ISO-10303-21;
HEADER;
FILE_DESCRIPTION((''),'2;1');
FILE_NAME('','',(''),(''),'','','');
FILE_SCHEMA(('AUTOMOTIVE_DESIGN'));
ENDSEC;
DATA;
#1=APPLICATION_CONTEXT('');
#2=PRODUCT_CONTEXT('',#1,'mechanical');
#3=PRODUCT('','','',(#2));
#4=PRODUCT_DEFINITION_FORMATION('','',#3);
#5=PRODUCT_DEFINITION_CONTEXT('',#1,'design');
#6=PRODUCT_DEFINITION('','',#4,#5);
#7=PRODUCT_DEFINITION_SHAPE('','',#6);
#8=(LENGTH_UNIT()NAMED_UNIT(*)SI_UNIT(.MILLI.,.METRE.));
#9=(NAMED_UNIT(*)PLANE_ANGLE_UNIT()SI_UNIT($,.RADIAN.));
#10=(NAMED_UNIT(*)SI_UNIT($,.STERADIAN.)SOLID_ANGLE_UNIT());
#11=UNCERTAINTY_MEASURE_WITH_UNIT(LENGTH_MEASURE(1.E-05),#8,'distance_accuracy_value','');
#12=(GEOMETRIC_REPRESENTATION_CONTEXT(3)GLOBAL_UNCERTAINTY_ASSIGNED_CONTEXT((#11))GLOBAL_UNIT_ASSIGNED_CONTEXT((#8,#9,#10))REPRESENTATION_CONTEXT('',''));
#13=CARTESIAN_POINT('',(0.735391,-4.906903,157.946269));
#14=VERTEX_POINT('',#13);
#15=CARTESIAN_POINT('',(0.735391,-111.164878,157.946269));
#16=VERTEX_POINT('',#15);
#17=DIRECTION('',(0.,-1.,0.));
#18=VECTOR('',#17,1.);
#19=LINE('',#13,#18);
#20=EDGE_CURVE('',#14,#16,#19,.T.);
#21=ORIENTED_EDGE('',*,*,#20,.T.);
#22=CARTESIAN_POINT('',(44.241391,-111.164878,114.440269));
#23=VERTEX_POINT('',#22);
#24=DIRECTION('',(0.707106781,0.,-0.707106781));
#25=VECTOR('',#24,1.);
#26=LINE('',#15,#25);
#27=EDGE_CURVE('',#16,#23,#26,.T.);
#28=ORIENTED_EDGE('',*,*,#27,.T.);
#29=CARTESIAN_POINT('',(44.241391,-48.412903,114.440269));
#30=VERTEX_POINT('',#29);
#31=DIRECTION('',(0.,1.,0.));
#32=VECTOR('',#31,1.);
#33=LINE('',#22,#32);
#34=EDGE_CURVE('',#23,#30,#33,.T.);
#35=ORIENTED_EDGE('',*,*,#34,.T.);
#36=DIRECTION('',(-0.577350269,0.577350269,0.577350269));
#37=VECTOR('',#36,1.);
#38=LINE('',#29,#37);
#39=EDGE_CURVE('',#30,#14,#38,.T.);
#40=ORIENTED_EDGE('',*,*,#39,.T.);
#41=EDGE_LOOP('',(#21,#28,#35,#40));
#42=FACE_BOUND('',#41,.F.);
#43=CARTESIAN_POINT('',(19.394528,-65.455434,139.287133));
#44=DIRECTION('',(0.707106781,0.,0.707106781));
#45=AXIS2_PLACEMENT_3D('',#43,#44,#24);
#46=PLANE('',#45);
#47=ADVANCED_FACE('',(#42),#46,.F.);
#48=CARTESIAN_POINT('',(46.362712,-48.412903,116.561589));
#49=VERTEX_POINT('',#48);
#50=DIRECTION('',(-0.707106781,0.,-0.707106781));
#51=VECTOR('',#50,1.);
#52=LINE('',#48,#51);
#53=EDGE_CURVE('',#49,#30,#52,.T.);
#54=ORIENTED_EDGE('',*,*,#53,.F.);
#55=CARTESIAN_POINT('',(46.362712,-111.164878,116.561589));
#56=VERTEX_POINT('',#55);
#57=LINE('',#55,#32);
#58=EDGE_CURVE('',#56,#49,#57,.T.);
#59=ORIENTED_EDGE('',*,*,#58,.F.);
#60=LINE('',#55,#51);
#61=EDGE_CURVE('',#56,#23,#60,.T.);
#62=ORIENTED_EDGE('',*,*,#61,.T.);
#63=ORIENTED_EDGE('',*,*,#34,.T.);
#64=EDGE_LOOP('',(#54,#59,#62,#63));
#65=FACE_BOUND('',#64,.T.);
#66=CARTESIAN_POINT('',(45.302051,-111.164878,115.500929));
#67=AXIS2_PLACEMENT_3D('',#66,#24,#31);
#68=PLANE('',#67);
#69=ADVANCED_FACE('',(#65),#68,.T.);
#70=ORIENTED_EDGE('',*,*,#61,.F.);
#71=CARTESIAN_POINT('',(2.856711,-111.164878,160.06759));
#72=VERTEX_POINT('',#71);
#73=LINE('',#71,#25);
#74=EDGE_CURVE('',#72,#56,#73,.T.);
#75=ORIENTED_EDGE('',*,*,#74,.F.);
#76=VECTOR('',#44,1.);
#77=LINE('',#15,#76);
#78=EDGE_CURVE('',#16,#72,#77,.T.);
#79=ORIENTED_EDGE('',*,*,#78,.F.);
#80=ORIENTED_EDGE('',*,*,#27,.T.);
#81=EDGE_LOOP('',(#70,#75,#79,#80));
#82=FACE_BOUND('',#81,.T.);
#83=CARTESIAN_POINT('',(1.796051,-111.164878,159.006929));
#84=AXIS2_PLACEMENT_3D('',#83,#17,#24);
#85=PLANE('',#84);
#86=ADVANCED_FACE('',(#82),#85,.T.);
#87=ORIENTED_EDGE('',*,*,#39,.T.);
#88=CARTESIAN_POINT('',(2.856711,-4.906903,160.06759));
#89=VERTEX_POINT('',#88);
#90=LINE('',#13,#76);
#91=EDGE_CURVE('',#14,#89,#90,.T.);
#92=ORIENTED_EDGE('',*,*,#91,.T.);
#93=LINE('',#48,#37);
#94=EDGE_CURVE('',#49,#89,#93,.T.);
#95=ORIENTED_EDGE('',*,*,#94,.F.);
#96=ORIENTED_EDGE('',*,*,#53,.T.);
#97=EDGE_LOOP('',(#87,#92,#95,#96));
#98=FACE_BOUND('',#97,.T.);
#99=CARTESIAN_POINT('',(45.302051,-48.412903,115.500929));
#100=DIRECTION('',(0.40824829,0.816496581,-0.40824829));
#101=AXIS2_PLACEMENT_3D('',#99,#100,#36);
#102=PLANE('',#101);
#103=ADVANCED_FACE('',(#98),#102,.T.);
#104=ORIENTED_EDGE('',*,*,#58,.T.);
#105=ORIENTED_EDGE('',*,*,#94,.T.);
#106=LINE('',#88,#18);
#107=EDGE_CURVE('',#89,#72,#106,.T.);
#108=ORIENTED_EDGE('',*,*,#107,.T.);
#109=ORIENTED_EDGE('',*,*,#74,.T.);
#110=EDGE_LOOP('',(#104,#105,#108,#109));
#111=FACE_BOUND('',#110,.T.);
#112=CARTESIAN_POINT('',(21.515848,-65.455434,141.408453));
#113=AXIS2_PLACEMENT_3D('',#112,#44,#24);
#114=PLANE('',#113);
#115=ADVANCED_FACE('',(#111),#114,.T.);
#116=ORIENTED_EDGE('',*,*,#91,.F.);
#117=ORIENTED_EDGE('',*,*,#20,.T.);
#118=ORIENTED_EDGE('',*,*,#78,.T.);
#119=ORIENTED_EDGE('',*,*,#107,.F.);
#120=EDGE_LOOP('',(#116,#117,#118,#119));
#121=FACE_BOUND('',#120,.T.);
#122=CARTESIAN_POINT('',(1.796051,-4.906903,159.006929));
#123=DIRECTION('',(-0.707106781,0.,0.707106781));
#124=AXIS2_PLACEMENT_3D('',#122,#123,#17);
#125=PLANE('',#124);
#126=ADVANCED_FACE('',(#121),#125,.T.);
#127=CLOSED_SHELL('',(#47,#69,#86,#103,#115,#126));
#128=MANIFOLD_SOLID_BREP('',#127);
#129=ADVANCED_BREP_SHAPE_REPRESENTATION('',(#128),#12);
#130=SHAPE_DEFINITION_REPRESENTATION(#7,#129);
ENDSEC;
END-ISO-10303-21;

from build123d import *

# Parameters (mm, degrees)
BOSS_EXTRUDE1_DEPTH = 1.5


with BuildPart() as part:
    # Sketch1 → Boss-Extrude1 (new body, symmetric)
    with BuildSketch(Plane(origin=(80.401490288, 0, 80.401490288), x_dir=(0.707106781, 0, -0.707106781), z_dir=(0.707106781, 0, 0.707106781))):
        Polygon((-49.638102576, -48.412903325), (-111.164878, -4.906903198), (-111.164878, -111.164878), (-49.638102576, -111.164878), align=None)
    extrude(amount=BOSS_EXTRUDE1_DEPTH, both=True)


solid = part.part
